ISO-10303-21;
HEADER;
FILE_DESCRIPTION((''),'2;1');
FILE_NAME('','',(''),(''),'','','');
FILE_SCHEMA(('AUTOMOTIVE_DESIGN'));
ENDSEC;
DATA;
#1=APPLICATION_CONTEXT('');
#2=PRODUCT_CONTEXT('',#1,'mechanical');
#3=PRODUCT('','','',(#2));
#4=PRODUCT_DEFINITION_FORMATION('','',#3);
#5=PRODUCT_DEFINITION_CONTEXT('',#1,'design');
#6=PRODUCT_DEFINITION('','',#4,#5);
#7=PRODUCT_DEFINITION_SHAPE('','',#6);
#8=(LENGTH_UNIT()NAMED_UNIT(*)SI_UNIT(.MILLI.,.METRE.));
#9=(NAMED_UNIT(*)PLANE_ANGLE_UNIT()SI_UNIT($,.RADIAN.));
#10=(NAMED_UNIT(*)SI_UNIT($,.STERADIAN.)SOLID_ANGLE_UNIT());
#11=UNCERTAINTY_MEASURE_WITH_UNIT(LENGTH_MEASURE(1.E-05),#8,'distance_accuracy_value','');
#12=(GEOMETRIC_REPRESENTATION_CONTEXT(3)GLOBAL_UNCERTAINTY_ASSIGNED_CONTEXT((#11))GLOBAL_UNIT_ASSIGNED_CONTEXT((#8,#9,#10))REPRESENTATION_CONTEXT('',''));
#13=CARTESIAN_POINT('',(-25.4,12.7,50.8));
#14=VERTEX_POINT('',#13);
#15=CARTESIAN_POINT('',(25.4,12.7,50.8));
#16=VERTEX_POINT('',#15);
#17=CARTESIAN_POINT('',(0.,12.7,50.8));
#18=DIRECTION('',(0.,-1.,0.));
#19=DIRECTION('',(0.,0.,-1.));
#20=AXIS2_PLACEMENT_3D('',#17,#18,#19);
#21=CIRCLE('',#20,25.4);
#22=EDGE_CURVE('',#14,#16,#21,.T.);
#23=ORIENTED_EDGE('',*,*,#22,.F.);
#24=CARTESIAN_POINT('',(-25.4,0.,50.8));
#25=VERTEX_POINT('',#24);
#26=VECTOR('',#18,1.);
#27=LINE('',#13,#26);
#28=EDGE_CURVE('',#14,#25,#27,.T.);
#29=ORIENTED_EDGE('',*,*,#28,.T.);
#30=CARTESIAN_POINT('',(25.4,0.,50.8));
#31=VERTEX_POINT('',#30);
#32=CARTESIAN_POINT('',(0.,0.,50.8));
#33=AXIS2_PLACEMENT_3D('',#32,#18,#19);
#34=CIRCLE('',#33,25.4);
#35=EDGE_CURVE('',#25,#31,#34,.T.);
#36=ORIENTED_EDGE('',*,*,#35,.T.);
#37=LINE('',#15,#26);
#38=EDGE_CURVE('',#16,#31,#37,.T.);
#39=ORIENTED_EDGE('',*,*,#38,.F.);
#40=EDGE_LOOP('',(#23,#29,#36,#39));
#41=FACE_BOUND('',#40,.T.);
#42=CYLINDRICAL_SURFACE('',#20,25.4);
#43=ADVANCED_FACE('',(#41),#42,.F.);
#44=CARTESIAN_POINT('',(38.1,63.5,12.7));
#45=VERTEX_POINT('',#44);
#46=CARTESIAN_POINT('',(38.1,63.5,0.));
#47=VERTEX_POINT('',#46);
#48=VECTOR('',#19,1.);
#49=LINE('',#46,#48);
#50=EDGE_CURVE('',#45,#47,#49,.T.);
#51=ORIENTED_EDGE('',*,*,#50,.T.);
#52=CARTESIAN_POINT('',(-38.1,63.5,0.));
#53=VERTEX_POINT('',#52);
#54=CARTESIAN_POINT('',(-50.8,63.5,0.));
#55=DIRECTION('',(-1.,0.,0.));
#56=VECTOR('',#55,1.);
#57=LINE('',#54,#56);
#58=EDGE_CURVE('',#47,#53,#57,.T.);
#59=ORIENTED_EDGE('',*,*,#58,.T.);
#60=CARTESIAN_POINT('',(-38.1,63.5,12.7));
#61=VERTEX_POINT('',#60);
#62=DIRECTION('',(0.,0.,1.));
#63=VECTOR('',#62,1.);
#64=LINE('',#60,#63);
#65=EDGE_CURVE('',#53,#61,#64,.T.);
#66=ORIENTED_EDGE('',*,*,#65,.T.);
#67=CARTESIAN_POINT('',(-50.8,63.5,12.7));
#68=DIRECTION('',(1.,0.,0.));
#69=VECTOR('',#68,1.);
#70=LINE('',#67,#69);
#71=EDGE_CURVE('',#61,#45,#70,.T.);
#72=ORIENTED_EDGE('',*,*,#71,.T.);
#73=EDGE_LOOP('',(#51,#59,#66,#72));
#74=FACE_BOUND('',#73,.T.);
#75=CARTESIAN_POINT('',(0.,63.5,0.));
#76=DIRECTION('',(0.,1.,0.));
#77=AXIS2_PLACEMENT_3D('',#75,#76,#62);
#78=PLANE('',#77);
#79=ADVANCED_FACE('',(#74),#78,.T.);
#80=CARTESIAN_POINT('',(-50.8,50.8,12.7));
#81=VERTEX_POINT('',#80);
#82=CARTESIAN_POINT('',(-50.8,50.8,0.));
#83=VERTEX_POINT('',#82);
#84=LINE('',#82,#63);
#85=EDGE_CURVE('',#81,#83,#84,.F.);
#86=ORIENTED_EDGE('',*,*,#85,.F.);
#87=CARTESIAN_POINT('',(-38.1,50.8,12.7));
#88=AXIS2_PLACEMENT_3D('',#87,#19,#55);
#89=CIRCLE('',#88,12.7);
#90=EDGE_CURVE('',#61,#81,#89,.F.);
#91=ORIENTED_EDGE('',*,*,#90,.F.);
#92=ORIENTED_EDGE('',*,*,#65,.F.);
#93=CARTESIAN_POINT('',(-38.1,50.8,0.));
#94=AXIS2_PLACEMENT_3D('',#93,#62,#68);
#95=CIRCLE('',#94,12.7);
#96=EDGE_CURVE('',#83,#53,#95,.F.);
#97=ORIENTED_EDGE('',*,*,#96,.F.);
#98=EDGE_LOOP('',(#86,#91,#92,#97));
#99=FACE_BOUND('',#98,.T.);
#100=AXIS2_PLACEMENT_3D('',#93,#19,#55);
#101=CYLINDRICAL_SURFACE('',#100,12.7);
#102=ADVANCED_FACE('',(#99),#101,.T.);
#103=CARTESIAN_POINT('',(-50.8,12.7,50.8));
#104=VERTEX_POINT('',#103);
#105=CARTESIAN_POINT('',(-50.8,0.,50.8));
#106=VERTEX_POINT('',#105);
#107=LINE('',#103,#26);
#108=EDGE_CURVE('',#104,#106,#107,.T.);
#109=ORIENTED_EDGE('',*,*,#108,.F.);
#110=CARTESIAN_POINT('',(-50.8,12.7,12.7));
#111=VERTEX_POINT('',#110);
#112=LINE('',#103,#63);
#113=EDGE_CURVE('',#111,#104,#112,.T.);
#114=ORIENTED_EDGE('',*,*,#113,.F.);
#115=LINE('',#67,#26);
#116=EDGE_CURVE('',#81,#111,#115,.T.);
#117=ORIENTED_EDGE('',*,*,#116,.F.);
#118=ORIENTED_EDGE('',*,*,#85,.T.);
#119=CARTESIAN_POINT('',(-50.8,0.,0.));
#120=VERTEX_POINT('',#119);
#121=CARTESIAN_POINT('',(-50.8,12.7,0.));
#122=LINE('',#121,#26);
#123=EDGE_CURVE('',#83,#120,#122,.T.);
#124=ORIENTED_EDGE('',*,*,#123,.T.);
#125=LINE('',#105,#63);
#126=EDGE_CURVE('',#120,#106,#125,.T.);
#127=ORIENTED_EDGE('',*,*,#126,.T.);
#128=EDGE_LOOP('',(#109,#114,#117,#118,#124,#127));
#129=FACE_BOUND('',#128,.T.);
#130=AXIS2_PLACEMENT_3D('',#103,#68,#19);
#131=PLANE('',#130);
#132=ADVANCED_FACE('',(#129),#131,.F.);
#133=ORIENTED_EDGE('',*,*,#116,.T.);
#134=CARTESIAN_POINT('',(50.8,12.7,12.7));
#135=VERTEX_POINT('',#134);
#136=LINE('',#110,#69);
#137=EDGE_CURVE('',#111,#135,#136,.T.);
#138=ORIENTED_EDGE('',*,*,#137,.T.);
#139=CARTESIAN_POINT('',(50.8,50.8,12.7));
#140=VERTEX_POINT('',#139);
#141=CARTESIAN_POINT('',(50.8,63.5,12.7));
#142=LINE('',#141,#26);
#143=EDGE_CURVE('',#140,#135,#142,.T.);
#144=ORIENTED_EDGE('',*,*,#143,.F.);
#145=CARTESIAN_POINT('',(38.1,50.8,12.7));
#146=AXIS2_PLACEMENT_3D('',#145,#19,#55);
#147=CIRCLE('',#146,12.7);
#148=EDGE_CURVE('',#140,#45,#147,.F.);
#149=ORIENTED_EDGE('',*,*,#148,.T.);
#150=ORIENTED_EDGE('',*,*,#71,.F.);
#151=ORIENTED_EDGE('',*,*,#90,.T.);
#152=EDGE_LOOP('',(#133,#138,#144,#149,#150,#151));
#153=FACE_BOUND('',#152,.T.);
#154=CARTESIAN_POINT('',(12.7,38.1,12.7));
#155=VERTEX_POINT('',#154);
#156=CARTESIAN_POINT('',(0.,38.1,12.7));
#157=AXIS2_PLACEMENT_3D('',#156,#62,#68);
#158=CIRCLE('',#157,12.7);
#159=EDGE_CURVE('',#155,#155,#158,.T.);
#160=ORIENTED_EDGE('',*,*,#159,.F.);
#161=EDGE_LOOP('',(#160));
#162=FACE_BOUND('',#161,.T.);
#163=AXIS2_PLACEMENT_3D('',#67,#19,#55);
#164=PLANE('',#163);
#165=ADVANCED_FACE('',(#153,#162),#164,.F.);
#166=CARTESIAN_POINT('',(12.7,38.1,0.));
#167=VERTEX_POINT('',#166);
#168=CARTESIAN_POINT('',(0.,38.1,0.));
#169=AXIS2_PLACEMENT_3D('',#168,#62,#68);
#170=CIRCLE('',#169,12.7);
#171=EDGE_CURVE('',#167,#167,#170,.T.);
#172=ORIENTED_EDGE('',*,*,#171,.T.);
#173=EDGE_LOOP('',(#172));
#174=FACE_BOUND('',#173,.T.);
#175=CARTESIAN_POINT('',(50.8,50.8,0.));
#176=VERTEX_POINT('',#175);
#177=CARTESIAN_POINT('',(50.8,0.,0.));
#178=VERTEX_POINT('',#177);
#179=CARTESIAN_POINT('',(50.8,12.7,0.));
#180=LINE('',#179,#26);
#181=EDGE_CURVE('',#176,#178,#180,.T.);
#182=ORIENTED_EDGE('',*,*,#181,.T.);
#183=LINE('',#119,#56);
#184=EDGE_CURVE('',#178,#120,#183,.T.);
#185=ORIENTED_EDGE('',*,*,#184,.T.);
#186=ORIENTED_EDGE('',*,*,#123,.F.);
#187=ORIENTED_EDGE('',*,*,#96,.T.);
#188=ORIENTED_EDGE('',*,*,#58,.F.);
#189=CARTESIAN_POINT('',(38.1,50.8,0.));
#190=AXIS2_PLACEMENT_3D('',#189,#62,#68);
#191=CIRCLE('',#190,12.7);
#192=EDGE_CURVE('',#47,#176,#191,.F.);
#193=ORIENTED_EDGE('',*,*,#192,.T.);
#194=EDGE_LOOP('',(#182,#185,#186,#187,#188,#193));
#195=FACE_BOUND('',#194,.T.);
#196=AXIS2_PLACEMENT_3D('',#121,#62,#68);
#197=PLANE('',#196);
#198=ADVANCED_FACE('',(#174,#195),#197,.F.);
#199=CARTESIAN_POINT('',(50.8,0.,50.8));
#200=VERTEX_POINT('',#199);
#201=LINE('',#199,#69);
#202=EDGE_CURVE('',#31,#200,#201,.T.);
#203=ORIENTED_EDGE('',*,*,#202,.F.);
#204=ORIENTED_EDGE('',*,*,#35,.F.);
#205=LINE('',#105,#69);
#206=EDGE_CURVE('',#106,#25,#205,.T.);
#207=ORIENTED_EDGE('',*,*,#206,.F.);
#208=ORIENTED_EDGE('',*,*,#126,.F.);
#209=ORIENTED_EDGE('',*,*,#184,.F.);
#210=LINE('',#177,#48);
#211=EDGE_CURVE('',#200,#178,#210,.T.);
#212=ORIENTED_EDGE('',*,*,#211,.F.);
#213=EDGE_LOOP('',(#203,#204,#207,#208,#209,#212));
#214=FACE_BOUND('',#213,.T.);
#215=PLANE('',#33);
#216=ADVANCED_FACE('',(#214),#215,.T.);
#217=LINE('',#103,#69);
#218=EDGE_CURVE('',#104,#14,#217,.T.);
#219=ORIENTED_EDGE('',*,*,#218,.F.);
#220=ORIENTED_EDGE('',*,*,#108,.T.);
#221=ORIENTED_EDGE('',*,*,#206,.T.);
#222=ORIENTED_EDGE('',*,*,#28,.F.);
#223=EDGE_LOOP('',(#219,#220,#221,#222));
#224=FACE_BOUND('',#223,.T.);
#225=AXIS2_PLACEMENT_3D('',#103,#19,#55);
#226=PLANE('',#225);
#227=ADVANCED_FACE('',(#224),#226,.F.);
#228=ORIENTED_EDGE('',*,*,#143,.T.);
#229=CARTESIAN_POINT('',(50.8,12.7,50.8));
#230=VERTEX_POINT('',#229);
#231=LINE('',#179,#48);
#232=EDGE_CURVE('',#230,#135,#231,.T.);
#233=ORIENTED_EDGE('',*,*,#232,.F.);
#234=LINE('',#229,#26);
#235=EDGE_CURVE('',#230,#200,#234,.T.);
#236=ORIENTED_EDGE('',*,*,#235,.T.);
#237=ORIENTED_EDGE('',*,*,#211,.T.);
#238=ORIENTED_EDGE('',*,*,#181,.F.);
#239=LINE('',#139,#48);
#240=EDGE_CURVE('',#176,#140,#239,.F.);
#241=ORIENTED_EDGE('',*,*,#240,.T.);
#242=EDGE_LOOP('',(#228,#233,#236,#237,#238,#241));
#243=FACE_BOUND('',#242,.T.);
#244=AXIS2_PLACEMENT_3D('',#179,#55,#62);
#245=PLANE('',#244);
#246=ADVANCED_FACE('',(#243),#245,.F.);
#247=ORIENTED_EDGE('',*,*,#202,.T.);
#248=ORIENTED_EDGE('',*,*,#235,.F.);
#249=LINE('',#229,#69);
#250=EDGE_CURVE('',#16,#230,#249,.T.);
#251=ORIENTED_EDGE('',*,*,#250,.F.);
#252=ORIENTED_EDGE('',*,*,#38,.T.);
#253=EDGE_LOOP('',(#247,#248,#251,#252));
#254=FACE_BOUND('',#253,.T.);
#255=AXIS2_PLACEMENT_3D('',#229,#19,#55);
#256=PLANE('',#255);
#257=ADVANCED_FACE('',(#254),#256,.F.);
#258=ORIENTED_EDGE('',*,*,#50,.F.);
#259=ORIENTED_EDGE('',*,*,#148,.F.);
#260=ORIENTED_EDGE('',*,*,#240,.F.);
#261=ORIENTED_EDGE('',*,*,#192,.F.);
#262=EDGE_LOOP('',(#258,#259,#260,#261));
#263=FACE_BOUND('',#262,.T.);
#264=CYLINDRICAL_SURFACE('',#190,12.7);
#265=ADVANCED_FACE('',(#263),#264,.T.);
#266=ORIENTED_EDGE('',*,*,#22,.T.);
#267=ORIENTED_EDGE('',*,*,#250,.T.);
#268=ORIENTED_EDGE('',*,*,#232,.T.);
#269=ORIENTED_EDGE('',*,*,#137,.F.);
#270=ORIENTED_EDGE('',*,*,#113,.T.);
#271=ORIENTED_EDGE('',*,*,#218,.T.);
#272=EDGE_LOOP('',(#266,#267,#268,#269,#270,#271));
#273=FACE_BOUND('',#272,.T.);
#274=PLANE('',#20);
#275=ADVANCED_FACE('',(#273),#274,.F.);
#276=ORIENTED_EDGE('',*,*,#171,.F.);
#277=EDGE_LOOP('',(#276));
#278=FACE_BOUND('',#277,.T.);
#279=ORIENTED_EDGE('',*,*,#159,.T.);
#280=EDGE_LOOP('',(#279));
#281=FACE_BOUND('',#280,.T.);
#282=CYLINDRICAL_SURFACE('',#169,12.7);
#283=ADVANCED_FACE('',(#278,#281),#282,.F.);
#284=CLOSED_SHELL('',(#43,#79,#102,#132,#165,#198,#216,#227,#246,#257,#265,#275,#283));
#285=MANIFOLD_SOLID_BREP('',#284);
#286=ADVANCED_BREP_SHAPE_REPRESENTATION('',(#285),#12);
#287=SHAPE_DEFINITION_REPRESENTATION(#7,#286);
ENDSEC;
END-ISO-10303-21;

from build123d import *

# Parameters (mm, degrees)
BOSS_EXTRUDE1_DEPTH = 12.7
SKETCH2_W           = 101.6
SKETCH2_H           = 12.7
BOSS_EXTRUDE2_DEPTH = 50.8
SKETCH3_R           = 12.7
CUT_EXTRUDE1_DEPTH  = 13.7
FILLET2_R           = 12.7


with BuildPart() as part:
    # Sketch1 → Boss-Extrude1 (new body)
    with BuildSketch(Plane(origin=(0, 0, 0), x_dir=(1, 0, 0), z_dir=(0, 1, 0))):
        with BuildLine():
            Line((-50.8, -50.8), (-50.8, 0))
            Line((-50.8, 0), (50.8, 0))
            Line((50.8, 0), (50.8, -50.8))
            Line((50.8, -50.8), (25.4, -50.8))
            ThreePointArc((25.4, -50.8), (0, -25.4), (-25.4, -50.8))
            Line((-25.4, -50.8), (-50.8, -50.8))
        make_face()
    extrude(amount=BOSS_EXTRUDE1_DEPTH)

    # Sketch2 → Boss-Extrude2 (add)
    with BuildSketch(Plane(origin=(0, 12.7, 0), x_dir=(1, 0, 0), z_dir=(0, 1, 0))):
        with Locations((0, -6.35)):
            Rectangle(SKETCH2_W, SKETCH2_H)
    extrude(amount=BOSS_EXTRUDE2_DEPTH)

    # Sketch3 → Cut-Extrude1 (cut, through all)
    with BuildSketch(Plane.XY.offset(12.7)):
        with Locations((0, 38.1)):
            Circle(SKETCH3_R)
    extrude(amount=-CUT_EXTRUDE1_DEPTH, mode=Mode.SUBTRACT)

    # Fillet2
    fillet2_edges = [part.edges().sort_by_distance(p)[0] for p in [
        (-50.8, 63.5, 6.35),
        (50.8, 63.5, 6.35),
    ]]
    fillet(fillet2_edges, radius=FILLET2_R)


solid = part.part
